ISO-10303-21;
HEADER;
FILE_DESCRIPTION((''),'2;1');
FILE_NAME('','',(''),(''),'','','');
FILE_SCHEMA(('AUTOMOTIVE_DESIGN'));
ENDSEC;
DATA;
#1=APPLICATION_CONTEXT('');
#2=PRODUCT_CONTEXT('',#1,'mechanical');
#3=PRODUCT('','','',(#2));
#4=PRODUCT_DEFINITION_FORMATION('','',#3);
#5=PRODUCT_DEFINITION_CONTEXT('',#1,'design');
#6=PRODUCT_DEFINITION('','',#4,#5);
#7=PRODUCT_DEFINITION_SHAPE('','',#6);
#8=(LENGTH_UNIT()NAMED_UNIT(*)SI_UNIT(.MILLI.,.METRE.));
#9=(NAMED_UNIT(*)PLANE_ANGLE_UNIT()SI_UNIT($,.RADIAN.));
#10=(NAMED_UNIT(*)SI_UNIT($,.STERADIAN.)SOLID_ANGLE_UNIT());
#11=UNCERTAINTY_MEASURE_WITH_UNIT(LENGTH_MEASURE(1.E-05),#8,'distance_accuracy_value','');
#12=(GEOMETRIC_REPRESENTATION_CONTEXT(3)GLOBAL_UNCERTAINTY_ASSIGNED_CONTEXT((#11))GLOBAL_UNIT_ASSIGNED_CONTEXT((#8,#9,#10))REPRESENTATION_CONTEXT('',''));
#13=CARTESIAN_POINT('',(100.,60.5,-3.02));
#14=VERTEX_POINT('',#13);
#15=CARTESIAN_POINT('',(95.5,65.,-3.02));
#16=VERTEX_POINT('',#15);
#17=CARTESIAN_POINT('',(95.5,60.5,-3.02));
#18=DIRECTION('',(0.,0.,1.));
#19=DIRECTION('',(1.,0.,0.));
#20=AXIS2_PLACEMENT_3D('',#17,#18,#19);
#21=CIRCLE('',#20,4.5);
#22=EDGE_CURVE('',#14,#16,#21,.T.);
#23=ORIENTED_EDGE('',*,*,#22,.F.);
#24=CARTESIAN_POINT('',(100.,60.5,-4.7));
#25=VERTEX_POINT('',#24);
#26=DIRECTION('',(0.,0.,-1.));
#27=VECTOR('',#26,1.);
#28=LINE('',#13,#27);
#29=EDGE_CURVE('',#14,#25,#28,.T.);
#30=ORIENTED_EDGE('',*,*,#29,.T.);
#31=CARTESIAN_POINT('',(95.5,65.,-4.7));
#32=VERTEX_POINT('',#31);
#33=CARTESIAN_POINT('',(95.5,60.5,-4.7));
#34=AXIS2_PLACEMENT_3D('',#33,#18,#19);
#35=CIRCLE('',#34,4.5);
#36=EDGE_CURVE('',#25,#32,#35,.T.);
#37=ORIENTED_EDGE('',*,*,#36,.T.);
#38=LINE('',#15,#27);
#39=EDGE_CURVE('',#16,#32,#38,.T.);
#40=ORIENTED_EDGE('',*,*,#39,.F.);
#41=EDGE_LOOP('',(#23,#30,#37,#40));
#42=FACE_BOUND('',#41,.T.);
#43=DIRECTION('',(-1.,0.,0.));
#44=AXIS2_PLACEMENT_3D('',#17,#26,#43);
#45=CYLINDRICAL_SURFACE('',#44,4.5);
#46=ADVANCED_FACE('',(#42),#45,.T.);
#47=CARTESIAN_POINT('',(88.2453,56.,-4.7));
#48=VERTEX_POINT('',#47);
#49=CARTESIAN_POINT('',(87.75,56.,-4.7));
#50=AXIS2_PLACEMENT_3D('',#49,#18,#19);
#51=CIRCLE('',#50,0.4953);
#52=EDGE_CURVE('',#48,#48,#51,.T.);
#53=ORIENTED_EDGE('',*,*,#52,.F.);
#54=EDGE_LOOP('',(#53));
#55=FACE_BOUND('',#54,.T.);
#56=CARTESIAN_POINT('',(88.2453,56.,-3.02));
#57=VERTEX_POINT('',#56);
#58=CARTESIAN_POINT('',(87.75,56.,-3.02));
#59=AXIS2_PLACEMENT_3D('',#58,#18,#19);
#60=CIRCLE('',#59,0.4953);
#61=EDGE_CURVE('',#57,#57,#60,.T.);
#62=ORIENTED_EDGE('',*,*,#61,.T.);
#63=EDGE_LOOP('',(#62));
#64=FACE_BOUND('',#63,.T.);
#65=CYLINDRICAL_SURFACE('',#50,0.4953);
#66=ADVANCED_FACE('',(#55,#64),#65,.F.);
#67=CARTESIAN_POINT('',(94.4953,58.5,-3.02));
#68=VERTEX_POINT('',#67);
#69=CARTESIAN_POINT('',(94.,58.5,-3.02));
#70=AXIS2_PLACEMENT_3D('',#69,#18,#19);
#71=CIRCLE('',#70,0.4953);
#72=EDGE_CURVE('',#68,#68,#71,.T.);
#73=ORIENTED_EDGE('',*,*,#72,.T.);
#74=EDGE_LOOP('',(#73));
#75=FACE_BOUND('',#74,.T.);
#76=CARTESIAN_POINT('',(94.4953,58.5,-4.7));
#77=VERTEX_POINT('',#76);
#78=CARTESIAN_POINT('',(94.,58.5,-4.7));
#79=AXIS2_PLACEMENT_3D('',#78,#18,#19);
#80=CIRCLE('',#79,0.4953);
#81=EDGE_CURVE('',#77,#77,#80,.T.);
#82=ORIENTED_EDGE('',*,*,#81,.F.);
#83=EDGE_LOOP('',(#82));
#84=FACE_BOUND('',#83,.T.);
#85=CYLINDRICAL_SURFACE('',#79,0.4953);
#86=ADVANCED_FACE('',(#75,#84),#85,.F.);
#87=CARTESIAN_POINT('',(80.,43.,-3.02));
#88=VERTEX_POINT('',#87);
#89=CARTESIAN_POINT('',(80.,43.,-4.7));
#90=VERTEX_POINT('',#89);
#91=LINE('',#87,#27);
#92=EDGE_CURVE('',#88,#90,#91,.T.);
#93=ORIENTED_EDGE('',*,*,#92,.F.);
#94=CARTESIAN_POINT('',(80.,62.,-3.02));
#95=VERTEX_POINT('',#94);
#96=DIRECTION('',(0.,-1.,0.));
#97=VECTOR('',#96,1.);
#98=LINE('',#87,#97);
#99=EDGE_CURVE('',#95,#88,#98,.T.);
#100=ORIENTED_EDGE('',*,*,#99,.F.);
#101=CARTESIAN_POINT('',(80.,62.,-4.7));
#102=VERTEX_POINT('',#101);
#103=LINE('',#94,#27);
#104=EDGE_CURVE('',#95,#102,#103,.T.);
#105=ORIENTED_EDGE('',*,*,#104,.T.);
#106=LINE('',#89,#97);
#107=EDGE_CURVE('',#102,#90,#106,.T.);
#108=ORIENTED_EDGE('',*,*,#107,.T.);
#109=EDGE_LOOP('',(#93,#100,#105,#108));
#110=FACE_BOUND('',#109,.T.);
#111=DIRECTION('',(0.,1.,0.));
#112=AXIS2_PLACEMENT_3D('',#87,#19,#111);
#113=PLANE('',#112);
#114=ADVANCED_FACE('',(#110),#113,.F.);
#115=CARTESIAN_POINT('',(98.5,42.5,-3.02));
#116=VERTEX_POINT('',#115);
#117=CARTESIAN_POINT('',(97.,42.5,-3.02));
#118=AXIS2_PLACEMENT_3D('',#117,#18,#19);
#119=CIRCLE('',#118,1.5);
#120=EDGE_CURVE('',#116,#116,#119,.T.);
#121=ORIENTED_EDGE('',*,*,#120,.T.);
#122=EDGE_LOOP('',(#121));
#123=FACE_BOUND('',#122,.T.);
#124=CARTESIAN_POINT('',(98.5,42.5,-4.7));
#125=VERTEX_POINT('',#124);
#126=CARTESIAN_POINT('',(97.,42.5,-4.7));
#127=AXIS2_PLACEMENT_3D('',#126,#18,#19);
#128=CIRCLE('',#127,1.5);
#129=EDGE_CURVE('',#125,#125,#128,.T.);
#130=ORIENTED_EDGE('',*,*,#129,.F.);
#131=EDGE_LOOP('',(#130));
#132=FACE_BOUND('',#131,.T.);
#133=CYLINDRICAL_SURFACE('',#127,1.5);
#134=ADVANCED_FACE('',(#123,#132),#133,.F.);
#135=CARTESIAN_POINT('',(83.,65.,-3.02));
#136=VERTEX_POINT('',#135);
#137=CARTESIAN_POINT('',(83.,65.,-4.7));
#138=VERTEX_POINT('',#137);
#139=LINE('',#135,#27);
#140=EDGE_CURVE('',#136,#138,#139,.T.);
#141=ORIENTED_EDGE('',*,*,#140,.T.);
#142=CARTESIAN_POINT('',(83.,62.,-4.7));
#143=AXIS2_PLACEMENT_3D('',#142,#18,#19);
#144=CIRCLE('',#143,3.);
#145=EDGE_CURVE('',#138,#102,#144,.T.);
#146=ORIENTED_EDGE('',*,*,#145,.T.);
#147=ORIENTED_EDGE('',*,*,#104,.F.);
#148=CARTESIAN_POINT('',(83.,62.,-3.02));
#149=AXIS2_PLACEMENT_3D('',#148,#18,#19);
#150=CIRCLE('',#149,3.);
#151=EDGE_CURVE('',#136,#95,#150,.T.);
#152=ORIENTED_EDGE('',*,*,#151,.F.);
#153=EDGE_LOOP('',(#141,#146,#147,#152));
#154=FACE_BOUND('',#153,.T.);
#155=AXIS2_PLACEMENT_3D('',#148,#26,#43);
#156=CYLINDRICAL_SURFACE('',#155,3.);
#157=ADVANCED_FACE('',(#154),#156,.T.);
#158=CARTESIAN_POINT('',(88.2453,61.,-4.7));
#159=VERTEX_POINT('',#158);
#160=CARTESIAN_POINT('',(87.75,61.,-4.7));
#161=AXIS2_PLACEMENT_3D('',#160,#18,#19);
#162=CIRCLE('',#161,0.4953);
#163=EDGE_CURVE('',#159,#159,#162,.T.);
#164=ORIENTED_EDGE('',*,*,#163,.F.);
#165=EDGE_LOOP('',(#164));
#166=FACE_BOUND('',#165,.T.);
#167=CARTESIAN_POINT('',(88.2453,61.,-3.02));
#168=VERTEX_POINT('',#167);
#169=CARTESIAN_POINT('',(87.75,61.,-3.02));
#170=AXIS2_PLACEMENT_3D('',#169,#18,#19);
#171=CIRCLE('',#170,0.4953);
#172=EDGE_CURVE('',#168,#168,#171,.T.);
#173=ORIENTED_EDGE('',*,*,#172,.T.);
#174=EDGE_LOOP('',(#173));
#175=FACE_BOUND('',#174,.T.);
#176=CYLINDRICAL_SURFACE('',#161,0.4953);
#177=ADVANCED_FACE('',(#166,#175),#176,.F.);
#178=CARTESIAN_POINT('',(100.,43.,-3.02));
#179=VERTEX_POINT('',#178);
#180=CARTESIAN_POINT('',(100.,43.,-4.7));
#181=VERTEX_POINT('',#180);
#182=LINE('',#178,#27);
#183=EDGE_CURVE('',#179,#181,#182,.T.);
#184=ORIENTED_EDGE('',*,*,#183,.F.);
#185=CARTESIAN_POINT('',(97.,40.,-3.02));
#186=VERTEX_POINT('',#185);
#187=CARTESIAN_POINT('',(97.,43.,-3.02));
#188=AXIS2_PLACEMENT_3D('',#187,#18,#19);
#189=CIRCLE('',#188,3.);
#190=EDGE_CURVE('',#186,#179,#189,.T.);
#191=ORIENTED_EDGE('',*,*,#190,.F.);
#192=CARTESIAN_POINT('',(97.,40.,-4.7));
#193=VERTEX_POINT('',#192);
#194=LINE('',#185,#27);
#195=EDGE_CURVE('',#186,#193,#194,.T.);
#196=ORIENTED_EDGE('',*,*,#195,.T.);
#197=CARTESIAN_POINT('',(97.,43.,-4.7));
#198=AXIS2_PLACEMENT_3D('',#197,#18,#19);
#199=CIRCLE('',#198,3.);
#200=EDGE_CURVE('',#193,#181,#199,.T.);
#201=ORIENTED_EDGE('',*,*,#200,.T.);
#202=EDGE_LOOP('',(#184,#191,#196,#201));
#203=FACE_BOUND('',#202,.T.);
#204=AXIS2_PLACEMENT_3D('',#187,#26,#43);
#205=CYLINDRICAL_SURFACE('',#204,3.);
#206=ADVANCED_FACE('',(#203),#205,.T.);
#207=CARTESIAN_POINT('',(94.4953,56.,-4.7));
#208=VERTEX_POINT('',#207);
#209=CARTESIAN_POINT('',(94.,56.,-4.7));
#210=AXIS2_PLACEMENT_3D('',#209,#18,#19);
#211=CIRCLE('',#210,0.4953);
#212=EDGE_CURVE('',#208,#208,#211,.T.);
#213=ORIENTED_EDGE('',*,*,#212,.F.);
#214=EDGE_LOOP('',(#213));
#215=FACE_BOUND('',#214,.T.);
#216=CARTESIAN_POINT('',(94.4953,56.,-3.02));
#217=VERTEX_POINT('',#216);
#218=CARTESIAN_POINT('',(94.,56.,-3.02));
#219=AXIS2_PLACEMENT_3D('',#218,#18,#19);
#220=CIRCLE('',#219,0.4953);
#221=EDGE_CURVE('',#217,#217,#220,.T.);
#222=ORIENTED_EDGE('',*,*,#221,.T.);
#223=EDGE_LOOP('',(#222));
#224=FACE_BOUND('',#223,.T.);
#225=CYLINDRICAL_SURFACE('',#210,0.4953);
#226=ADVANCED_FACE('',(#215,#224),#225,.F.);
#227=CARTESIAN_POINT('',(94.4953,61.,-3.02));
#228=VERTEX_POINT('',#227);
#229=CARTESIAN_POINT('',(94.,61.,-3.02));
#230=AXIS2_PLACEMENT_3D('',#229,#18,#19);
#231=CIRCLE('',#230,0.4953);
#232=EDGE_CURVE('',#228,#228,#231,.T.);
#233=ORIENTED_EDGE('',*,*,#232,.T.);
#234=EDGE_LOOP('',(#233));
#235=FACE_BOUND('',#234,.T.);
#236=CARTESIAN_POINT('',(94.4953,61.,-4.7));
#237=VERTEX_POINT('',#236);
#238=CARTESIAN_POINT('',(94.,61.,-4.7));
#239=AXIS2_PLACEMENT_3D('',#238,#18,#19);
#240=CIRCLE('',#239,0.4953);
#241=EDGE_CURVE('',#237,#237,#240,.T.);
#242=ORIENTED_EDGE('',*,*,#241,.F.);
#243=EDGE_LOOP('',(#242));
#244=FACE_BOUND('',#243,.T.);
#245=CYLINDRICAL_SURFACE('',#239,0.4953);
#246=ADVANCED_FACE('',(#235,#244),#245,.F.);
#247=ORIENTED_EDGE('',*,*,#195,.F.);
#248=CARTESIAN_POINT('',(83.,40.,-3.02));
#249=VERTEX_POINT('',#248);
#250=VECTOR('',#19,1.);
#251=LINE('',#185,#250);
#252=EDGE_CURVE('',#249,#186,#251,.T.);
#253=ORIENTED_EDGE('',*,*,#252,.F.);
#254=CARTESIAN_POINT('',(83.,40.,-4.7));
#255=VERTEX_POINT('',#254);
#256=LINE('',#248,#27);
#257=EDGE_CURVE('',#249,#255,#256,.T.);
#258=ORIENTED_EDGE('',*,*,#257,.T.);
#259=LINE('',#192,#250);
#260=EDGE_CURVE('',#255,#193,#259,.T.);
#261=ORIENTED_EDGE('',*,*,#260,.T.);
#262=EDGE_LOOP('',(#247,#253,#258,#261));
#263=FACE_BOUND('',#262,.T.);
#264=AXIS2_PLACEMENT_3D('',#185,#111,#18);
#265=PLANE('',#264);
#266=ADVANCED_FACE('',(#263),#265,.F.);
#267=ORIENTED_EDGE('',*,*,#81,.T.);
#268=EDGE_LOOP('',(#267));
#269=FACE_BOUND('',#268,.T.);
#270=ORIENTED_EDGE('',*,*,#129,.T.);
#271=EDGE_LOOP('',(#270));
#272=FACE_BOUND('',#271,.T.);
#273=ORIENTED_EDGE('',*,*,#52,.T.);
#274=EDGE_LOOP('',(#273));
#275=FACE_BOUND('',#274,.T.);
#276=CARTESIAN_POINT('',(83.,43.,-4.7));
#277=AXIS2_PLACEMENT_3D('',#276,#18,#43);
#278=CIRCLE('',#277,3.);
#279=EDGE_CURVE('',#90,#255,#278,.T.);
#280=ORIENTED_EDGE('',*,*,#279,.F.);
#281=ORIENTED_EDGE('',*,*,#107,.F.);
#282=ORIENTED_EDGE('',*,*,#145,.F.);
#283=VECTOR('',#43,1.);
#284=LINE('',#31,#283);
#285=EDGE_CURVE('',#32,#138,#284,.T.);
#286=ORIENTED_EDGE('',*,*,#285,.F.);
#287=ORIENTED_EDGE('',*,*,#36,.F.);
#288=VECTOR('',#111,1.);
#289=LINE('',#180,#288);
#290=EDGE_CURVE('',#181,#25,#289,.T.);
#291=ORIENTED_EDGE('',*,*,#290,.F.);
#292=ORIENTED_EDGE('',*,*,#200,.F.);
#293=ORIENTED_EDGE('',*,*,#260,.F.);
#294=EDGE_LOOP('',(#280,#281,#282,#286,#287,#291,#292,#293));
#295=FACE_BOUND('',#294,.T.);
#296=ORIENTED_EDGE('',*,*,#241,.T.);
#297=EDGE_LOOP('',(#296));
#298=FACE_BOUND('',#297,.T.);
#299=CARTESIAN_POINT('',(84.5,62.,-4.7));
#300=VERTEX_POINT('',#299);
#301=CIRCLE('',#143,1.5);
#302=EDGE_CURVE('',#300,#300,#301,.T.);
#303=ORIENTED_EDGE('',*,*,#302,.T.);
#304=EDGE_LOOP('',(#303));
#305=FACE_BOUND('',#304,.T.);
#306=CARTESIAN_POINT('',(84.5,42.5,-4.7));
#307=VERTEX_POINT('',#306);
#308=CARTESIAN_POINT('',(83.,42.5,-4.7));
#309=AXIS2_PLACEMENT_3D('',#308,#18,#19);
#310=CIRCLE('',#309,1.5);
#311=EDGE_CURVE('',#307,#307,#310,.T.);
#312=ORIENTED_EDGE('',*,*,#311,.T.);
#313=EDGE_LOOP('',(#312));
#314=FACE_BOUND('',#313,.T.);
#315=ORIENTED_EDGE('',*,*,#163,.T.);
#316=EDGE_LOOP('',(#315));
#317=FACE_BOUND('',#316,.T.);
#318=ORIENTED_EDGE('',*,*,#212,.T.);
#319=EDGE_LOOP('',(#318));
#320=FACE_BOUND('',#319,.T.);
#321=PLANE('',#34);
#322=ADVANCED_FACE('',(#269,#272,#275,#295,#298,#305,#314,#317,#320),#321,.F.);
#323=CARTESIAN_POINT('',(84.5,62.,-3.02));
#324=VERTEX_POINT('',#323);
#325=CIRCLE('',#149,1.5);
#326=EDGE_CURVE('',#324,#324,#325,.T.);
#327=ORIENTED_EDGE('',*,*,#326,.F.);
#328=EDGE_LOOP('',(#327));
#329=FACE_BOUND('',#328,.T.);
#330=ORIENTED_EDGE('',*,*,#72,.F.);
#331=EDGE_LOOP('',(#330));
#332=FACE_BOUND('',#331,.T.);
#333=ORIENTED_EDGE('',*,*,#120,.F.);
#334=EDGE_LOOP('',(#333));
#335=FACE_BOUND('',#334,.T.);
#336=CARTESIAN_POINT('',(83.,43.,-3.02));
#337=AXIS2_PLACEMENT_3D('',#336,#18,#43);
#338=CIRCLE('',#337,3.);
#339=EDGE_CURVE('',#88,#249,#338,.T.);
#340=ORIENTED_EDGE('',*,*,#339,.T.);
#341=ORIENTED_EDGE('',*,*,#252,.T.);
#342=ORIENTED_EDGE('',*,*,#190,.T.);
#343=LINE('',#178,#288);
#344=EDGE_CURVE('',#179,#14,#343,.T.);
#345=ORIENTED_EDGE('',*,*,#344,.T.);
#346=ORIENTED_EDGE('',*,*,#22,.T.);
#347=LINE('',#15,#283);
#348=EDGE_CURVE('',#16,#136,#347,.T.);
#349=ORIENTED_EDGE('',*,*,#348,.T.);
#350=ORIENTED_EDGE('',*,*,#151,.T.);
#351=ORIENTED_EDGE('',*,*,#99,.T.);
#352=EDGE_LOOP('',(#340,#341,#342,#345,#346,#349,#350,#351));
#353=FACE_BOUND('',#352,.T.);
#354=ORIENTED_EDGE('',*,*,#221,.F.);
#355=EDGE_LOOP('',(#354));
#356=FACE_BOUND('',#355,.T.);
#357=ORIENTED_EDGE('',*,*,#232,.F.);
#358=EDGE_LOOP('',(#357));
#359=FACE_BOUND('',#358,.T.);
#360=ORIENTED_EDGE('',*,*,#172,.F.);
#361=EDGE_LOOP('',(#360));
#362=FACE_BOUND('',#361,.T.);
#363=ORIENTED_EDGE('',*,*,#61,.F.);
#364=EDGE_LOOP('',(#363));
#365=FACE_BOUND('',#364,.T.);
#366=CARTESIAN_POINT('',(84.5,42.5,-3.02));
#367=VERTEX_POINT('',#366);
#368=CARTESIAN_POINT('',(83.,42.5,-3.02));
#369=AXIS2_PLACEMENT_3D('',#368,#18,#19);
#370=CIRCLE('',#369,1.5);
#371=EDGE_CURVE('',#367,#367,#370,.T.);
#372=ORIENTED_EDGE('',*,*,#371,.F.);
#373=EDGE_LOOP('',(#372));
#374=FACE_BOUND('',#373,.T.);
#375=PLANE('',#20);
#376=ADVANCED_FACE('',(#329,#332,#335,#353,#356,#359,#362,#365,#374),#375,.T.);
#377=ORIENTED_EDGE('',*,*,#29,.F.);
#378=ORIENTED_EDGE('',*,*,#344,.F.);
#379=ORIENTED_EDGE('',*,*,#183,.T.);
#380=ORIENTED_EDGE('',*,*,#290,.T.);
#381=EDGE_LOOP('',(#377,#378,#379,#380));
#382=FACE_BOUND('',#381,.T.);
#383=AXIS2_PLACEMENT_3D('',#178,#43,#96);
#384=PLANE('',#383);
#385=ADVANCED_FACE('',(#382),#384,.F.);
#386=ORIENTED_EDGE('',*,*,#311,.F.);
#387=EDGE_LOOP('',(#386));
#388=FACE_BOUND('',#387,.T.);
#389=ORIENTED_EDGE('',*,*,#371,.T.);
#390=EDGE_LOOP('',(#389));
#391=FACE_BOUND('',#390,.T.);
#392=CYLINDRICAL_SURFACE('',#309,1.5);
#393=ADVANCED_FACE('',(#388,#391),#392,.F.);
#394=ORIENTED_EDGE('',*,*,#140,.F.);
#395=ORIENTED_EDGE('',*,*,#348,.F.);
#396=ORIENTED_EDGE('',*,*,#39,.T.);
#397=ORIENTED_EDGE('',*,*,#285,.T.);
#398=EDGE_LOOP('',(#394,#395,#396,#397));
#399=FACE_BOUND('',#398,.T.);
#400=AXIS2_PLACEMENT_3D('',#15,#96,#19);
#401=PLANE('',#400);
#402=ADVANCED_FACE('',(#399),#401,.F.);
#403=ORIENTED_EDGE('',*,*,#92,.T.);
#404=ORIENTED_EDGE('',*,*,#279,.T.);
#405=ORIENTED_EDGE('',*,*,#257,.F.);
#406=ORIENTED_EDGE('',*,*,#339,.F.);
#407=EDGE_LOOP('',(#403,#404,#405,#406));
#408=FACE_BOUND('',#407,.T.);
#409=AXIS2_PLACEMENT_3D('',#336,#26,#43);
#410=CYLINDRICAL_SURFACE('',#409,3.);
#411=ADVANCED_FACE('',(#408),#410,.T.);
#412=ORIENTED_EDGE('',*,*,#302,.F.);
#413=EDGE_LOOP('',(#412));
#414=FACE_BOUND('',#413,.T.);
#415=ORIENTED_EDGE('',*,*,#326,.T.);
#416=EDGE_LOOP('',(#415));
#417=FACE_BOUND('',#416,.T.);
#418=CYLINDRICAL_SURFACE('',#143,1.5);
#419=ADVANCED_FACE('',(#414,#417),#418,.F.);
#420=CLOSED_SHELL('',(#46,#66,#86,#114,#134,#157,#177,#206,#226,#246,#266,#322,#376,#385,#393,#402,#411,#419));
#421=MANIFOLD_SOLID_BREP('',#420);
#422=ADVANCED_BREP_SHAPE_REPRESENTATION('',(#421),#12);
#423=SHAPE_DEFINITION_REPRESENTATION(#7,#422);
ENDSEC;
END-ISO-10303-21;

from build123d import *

# Parameters (mm, degrees)
BOARD_DEPTH        = 1.68
SKETCH2_R          = 1.5
SKETCH2_R_2        = 0.4953
PLATED_HOLES_DEPTH = 5.7


with BuildPart() as part:
    # Sketch1 → BOARD (new body)
    with BuildSketch(Plane.XY.offset(-4.7)):
        with BuildLine():
            Line((100, 43), (100, 60.5))
            ThreePointArc((100, 60.5), (98.681980515, 63.681980515), (95.5, 65))
            Line((95.5, 65), (83, 65))
            ThreePointArc((83, 65), (80.878679656, 64.121320344), (80, 62))
            Line((80, 62), (80, 43))
            ThreePointArc((80, 43), (80.878679656, 40.878679656), (83, 40))
            Line((83, 40), (97, 40))
            ThreePointArc((97, 40), (99.121320344, 40.878679656), (100, 43))
        make_face()
    extrude(amount=BOARD_DEPTH)

    # Sketch2 → PLATED HOLES (cut, through all)
    with BuildSketch(Plane.XY):
        with Locations((83, 42.5)):
            Circle(SKETCH2_R)
        with Locations((97, 42.5)):
            Circle(SKETCH2_R)
        with Locations((97, 35.5)):
            Circle(SKETCH2_R)
        with Locations((83, 62)):
            Circle(SKETCH2_R)
        with Locations((87.749999989, 55.999999989)):
            Circle(SKETCH2_R_2)
        with Locations((87.749999989, 60.999999996)):
            Circle(SKETCH2_R_2)
        with Locations((94.000000011, 58.499999992)):
            Circle(SKETCH2_R_2)
        with Locations((94.000000011, 55.999999989)):
            Circle(SKETCH2_R_2)
        with Locations((94.000000011, 60.999999996)):
            Circle(SKETCH2_R_2)
    extrude(amount=-PLATED_HOLES_DEPTH, mode=Mode.SUBTRACT)


solid = part.part
